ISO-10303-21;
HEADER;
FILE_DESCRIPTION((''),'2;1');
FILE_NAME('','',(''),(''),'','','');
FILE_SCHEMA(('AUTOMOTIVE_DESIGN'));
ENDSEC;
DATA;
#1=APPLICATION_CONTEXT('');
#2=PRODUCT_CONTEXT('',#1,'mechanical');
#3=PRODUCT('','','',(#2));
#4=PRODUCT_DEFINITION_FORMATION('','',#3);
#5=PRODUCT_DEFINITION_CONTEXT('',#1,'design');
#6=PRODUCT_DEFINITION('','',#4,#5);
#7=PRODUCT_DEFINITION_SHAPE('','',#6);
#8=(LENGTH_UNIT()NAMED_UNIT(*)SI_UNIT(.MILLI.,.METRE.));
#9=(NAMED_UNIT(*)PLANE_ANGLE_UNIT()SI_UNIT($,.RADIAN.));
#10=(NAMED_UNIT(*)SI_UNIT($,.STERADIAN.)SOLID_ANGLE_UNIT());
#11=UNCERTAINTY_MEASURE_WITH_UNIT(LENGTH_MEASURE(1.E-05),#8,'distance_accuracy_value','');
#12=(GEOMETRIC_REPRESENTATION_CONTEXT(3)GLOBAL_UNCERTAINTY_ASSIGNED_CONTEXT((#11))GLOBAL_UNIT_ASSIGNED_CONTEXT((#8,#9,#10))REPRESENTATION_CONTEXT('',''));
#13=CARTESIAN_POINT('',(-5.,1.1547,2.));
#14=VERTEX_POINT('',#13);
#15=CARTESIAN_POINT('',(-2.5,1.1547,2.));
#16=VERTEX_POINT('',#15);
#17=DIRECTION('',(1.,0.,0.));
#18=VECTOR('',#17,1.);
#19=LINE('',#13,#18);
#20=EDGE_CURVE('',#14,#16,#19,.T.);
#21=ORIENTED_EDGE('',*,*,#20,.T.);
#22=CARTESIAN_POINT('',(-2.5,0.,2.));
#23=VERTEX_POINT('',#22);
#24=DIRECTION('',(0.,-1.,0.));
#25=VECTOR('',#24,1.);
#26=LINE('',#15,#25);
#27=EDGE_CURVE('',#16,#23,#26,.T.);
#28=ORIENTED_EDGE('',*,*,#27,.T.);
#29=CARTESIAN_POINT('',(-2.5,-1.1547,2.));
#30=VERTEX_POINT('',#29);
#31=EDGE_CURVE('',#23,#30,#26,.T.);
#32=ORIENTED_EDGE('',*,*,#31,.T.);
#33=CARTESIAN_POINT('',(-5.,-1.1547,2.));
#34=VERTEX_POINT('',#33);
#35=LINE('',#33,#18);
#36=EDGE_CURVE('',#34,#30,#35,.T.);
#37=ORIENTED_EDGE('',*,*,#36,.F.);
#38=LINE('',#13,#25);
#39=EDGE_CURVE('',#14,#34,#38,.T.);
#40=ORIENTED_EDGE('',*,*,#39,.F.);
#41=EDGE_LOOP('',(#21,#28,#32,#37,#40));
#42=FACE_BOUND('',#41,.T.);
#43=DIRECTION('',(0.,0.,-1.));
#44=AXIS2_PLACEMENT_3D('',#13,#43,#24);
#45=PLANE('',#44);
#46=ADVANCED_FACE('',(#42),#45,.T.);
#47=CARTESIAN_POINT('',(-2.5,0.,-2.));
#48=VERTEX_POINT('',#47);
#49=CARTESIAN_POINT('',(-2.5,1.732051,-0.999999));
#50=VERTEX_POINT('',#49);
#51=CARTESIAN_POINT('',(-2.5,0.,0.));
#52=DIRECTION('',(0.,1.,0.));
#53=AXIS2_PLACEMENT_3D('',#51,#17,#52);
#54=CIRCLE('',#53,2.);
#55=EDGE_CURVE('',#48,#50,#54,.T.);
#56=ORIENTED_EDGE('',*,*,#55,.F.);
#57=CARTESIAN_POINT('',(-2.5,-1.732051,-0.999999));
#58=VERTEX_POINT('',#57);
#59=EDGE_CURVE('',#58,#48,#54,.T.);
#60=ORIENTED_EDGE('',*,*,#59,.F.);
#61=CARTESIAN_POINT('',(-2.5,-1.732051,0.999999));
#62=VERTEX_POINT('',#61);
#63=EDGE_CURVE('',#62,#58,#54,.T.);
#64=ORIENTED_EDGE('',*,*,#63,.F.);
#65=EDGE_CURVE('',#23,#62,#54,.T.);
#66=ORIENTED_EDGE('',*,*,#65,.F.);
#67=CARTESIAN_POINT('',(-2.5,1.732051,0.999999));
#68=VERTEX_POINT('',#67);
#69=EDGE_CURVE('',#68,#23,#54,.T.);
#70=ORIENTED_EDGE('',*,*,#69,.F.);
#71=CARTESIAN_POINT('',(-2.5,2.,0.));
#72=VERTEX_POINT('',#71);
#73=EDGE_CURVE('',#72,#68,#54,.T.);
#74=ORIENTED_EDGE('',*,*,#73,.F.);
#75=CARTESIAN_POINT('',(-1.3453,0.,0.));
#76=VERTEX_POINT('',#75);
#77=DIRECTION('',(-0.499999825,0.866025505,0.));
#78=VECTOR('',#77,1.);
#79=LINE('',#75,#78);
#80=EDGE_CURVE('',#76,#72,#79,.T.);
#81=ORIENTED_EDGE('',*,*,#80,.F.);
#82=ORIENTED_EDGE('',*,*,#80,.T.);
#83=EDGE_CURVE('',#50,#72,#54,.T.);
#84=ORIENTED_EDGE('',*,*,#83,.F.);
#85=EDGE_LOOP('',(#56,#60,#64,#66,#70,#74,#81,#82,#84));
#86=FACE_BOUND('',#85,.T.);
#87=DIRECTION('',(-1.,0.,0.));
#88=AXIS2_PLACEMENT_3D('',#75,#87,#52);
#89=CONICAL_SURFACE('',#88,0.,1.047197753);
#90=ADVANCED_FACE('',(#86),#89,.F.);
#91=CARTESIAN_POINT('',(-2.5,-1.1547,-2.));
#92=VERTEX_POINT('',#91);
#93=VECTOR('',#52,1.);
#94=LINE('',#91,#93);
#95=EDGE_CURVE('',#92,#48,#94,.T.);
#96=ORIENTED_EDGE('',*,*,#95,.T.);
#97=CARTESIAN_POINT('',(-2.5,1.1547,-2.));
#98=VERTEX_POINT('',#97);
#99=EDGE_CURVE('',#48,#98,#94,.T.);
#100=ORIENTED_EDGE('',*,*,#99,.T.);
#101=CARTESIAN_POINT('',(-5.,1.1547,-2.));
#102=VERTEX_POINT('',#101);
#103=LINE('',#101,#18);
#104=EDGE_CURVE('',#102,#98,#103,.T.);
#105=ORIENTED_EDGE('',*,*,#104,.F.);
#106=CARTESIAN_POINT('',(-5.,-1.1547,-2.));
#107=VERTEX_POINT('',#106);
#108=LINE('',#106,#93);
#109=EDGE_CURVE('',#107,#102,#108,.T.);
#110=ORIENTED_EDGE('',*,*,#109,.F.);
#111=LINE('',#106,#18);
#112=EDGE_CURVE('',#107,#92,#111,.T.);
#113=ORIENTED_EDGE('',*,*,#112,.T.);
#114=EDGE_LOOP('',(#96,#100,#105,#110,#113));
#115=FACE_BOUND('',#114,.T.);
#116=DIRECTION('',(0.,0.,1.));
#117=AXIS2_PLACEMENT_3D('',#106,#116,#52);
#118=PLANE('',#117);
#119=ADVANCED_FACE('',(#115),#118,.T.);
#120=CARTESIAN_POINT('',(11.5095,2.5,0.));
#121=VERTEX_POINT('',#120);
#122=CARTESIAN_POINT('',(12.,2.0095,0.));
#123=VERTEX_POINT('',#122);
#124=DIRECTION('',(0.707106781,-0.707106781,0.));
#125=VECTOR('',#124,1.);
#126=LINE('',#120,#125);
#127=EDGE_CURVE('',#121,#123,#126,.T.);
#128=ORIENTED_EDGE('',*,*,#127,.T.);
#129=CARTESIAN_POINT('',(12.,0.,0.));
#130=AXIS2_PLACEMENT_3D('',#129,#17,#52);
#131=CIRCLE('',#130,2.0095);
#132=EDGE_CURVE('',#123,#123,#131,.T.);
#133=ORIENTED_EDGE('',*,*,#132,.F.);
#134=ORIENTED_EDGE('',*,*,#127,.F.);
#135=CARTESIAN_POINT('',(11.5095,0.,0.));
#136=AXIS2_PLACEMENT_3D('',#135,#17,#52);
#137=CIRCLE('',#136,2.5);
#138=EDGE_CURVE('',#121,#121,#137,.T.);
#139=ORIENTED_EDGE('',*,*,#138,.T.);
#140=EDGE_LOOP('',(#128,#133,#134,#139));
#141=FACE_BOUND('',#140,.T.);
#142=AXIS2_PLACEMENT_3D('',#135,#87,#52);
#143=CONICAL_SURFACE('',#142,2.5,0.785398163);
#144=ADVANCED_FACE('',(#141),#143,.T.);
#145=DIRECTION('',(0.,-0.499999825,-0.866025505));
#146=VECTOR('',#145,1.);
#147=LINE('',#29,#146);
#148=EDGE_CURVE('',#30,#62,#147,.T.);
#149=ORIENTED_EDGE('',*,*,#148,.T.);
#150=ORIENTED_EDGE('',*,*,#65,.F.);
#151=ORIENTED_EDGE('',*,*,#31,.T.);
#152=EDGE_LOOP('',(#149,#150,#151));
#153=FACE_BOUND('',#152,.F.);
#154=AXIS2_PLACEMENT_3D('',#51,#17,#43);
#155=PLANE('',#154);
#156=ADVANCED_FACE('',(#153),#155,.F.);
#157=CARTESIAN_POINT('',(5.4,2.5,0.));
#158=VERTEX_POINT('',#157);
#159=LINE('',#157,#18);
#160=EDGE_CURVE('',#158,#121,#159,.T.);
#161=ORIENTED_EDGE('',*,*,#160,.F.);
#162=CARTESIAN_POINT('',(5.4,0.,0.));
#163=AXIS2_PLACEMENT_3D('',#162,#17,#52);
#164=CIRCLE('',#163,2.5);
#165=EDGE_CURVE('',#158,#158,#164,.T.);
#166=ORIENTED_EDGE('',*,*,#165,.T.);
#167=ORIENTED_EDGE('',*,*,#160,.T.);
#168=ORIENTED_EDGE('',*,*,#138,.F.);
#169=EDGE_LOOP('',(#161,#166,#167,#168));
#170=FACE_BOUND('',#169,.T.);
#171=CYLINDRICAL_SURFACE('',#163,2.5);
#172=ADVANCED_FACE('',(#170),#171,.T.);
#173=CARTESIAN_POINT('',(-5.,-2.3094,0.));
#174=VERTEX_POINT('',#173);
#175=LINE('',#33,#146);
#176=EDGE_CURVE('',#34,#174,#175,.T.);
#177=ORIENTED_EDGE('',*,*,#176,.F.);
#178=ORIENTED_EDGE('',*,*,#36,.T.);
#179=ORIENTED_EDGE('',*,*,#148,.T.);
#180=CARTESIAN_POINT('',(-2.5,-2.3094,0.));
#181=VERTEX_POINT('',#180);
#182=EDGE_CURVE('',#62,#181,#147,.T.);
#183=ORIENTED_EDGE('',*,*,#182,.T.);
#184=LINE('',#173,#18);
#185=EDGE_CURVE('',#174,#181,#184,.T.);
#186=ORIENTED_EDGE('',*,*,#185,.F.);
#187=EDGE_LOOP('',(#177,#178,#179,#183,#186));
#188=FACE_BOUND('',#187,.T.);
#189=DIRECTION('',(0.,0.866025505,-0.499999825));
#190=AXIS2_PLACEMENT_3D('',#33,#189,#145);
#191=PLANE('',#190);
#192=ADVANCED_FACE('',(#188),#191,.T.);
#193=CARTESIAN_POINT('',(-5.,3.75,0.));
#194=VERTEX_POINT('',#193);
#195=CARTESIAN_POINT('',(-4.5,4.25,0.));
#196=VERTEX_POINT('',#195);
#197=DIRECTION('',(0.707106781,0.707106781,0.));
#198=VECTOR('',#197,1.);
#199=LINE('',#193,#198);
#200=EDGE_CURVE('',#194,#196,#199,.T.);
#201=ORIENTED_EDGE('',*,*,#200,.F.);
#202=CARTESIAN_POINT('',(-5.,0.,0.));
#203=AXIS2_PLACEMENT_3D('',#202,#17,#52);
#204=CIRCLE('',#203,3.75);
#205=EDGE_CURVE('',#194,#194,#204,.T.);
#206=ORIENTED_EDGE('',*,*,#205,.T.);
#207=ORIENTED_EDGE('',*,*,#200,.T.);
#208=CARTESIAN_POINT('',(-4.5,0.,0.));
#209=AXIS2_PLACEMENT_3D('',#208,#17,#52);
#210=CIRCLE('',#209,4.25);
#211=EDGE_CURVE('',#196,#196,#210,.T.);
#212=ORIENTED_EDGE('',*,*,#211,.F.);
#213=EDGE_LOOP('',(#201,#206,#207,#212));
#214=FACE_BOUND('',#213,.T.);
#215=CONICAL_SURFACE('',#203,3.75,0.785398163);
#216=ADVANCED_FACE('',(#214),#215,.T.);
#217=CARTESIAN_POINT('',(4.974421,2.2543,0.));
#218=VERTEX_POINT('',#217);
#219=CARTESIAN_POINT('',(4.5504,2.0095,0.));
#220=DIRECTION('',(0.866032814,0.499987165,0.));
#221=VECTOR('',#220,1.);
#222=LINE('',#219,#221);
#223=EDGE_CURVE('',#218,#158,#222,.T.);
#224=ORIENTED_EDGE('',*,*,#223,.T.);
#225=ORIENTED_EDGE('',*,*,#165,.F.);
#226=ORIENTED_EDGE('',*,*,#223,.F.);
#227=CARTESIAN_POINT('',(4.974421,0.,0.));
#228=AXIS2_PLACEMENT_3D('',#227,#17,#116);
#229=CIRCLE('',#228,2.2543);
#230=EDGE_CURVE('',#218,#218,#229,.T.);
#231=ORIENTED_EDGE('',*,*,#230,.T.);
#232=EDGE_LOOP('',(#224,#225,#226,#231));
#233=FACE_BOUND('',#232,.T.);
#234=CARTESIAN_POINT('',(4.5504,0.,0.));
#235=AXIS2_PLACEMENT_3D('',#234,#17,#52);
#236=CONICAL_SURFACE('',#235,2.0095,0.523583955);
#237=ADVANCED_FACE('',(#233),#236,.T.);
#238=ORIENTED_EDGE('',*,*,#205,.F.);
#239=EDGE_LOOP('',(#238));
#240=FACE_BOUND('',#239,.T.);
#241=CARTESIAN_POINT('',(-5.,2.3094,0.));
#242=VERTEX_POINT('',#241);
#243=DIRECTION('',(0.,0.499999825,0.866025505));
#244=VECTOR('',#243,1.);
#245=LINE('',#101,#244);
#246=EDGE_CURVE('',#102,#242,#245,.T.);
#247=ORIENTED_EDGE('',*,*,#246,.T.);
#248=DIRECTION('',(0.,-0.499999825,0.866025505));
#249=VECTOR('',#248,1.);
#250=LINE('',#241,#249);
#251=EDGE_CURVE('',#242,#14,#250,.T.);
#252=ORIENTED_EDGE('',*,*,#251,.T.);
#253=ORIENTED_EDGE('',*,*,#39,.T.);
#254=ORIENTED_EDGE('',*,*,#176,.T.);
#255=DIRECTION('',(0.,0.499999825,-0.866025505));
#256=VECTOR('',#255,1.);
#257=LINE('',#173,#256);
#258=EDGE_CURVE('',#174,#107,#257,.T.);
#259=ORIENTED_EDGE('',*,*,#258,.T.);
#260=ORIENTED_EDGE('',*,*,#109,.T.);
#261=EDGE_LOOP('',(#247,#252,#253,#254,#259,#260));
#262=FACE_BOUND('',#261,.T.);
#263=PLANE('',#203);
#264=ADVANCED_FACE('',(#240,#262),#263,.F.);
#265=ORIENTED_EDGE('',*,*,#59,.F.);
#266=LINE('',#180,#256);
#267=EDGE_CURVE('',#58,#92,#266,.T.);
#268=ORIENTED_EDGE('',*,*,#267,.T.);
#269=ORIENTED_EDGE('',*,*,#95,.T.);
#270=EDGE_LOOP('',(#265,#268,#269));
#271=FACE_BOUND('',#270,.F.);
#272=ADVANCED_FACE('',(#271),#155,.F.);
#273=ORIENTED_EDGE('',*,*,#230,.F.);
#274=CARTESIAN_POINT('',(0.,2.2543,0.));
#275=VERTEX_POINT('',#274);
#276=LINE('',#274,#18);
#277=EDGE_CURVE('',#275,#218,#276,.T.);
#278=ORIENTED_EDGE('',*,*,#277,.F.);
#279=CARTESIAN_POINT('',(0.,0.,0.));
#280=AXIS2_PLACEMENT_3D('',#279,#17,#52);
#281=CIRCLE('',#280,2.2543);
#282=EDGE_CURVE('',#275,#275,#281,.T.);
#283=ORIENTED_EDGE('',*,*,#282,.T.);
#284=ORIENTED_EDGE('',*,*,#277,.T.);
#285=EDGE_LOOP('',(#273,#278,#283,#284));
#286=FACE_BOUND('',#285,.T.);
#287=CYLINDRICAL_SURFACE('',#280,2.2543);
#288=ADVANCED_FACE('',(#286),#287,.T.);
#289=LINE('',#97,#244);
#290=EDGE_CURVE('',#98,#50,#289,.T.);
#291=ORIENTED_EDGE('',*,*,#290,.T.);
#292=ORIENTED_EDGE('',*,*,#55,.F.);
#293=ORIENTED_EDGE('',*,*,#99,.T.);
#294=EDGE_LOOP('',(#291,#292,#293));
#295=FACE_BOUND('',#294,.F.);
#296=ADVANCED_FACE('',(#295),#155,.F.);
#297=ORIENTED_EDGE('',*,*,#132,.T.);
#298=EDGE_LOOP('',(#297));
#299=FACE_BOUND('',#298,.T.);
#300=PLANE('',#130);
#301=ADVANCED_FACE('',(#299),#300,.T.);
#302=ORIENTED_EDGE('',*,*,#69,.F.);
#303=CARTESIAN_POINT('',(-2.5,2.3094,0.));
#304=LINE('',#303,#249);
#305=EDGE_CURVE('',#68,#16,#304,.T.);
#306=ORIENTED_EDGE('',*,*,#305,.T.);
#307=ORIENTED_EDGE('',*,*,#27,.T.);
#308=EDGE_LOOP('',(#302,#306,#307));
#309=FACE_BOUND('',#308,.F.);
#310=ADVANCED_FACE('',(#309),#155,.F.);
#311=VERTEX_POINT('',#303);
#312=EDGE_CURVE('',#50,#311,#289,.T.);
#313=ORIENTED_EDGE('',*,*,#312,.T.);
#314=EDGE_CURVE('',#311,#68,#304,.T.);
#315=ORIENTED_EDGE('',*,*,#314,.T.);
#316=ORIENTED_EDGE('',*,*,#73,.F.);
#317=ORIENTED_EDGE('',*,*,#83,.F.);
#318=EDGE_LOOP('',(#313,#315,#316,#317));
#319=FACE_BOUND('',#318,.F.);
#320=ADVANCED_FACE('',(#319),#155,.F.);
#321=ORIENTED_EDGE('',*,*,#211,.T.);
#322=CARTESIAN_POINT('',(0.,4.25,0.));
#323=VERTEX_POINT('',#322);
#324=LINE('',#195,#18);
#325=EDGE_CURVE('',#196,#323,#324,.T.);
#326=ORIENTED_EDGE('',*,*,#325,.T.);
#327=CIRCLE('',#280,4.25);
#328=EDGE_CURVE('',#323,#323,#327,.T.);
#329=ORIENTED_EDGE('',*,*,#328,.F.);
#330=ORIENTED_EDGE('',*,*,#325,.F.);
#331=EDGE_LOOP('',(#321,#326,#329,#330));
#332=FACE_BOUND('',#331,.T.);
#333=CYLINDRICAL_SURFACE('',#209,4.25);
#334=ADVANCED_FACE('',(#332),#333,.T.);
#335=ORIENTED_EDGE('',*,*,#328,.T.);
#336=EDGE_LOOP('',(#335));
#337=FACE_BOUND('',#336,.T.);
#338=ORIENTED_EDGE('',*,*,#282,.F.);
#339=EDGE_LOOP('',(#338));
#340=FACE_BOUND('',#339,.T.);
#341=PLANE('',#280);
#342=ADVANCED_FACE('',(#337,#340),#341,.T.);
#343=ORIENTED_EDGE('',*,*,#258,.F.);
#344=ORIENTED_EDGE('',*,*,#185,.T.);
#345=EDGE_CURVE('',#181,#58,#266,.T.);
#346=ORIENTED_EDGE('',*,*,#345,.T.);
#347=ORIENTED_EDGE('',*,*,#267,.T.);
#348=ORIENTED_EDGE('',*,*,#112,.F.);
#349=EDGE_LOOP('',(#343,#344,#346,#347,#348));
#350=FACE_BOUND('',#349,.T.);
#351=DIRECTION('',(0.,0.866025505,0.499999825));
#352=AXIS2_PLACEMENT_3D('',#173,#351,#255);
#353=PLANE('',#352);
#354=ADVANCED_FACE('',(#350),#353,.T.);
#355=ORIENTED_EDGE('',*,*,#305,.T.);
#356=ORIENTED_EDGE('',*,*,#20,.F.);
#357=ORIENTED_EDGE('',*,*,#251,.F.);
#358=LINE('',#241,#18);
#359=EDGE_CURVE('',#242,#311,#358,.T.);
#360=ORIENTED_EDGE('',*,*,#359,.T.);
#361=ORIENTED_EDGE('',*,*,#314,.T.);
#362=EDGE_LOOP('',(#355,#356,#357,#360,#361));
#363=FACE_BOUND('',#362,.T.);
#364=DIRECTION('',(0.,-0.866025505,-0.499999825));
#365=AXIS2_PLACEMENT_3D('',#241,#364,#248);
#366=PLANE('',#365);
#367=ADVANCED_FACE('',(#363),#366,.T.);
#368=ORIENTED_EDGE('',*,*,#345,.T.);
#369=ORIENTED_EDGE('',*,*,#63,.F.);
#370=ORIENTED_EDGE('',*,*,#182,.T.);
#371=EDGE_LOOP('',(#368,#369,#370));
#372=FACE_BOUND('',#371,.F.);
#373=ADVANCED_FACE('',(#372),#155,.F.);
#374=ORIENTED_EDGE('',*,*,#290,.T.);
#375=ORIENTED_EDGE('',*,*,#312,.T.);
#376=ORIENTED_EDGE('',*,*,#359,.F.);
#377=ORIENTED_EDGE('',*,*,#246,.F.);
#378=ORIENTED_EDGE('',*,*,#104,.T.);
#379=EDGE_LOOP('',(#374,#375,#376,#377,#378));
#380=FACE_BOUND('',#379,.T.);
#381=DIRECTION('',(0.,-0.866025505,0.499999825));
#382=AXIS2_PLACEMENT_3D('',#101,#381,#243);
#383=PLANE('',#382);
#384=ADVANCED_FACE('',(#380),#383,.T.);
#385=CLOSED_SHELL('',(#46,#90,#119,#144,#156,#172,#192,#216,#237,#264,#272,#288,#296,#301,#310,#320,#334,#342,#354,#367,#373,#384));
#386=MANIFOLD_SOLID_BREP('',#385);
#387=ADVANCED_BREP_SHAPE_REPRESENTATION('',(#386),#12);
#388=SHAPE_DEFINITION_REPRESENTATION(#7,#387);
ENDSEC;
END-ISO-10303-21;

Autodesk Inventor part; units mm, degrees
sketch "Sketch_6" plane through (0, 0, 0) normal (0, 0, 1) x (1, 0, 0)
  line L0 (12, 0) -> (4.5504, 0)
  line L1 (4.5504, 0) -> (4.5504, 2.0095)
  line L2 (4.5504, 2.0095) -> (5.4, 2.5)
  line L3 (5.4, 2.5) -> (11.5095, 2.5)
  line L4 (11.5095, 2.5) -> (12, 2.0095)
  line L5 (12, 2.0095) -> (12, 0)
  line L6 (12, 0) -> (4.5504, 0)
revolve "Revolution1" add sketch "Sketch_6" angle 360 about axis through (12, 0, 0) along (1, 0, 0)
thread "Thread1" size "M5x0.8" class "6g" standard "ISO Metric profile" full length
sketch "Sketch_1" plane through (0, 0, 0) normal (0, 0, 1) x (1, 0, 0)
  line L0 (5.4, 0) -> (-5, 0)
  line L1 (-1.3453, 0) -> (-2.5, 2)
  line L2 (-2.5, 2) -> (-5, 2)
  line L3 (-5, 2) -> (-5, 3.75)
  line L4 (-5, 3.75) -> (-4.5, 4.25)
  line L5 (-4.5, 4.25) -> (0, 4.25)
  line L6 (0, 4.25) -> (0, 2.2543)
  line L7 (0, 2.2543) -> (5.4, 2.2543)
  line L8 (5.4, 2.2543) -> (5.4, 0)
  line L9 (5.4, 0) -> (-1.3453, 0)
revolve "Revolution2" add sketch "Sketch_1" angle 360 about axis through (5.4, 0, 0) along (1, 0, 0)
sketch "Sketch_2" plane through (-5, 0, 0) normal (1, 0, 0) x (0, 0, -1)
  line L0 (-2, 1.1547) -> (-2, -1.1547)
  line L1 (-2, -1.1547) -> (0, -2.3094)
  line L2 (0, -2.3094) -> (2, -1.1547)
  line L3 (2, -1.1547) -> (2, 1.1547)
  line L4 (2, 1.1547) -> (0, 2.3094)
  line L5 (0, 2.3094) -> (-2, 1.1547)
extrude "Extrusion1" cut sketch "Sketch_2" along normal blind 2.5
ref_plane "bolt_to_spring_washer_XY" through (1.8, 0, 0) normal (1, 0, 0) x (0, 0, -1)
ref_plane "bolt_to_spring_washer_YZ" through (1.8, 0, 0) normal (0, 0, -1) x (0, 1, 0)
ref_plane "bolt_to_spring_washer_ZX" through (1.8, 0, 0) normal (0, 1, 0) x (1, 0, 0)
ref_plane "bolt_to_plane_washer_XY" through (3.6, 0, 0) normal (1, 0, 0) x (0, 0, -1)
ref_plane "bolt_to_plane_washer_YZ" through (3.6, 0, 0) normal (0, 0, -1) x (0, 1, 0)
ref_plane "bolt_to_plane_washer_ZX" through (3.6, 0, 0) normal (0, 1, 0) x (1, 0, 0)
ref_plane "screw_to_body_XY" through (0, 0, 0) normal (1, 0, 0) x (0, 0, -1)
ref_plane "screw_to_body_YZ" through (0, 0, 0) normal (0, 0, -1) x (0, 1, 0)
ref_plane "screw_to_body_ZX" through (0, 0, 0) normal (0, 1, 0) x (1, 0, 0)
properties part number "HCBST5-12_Screw"
